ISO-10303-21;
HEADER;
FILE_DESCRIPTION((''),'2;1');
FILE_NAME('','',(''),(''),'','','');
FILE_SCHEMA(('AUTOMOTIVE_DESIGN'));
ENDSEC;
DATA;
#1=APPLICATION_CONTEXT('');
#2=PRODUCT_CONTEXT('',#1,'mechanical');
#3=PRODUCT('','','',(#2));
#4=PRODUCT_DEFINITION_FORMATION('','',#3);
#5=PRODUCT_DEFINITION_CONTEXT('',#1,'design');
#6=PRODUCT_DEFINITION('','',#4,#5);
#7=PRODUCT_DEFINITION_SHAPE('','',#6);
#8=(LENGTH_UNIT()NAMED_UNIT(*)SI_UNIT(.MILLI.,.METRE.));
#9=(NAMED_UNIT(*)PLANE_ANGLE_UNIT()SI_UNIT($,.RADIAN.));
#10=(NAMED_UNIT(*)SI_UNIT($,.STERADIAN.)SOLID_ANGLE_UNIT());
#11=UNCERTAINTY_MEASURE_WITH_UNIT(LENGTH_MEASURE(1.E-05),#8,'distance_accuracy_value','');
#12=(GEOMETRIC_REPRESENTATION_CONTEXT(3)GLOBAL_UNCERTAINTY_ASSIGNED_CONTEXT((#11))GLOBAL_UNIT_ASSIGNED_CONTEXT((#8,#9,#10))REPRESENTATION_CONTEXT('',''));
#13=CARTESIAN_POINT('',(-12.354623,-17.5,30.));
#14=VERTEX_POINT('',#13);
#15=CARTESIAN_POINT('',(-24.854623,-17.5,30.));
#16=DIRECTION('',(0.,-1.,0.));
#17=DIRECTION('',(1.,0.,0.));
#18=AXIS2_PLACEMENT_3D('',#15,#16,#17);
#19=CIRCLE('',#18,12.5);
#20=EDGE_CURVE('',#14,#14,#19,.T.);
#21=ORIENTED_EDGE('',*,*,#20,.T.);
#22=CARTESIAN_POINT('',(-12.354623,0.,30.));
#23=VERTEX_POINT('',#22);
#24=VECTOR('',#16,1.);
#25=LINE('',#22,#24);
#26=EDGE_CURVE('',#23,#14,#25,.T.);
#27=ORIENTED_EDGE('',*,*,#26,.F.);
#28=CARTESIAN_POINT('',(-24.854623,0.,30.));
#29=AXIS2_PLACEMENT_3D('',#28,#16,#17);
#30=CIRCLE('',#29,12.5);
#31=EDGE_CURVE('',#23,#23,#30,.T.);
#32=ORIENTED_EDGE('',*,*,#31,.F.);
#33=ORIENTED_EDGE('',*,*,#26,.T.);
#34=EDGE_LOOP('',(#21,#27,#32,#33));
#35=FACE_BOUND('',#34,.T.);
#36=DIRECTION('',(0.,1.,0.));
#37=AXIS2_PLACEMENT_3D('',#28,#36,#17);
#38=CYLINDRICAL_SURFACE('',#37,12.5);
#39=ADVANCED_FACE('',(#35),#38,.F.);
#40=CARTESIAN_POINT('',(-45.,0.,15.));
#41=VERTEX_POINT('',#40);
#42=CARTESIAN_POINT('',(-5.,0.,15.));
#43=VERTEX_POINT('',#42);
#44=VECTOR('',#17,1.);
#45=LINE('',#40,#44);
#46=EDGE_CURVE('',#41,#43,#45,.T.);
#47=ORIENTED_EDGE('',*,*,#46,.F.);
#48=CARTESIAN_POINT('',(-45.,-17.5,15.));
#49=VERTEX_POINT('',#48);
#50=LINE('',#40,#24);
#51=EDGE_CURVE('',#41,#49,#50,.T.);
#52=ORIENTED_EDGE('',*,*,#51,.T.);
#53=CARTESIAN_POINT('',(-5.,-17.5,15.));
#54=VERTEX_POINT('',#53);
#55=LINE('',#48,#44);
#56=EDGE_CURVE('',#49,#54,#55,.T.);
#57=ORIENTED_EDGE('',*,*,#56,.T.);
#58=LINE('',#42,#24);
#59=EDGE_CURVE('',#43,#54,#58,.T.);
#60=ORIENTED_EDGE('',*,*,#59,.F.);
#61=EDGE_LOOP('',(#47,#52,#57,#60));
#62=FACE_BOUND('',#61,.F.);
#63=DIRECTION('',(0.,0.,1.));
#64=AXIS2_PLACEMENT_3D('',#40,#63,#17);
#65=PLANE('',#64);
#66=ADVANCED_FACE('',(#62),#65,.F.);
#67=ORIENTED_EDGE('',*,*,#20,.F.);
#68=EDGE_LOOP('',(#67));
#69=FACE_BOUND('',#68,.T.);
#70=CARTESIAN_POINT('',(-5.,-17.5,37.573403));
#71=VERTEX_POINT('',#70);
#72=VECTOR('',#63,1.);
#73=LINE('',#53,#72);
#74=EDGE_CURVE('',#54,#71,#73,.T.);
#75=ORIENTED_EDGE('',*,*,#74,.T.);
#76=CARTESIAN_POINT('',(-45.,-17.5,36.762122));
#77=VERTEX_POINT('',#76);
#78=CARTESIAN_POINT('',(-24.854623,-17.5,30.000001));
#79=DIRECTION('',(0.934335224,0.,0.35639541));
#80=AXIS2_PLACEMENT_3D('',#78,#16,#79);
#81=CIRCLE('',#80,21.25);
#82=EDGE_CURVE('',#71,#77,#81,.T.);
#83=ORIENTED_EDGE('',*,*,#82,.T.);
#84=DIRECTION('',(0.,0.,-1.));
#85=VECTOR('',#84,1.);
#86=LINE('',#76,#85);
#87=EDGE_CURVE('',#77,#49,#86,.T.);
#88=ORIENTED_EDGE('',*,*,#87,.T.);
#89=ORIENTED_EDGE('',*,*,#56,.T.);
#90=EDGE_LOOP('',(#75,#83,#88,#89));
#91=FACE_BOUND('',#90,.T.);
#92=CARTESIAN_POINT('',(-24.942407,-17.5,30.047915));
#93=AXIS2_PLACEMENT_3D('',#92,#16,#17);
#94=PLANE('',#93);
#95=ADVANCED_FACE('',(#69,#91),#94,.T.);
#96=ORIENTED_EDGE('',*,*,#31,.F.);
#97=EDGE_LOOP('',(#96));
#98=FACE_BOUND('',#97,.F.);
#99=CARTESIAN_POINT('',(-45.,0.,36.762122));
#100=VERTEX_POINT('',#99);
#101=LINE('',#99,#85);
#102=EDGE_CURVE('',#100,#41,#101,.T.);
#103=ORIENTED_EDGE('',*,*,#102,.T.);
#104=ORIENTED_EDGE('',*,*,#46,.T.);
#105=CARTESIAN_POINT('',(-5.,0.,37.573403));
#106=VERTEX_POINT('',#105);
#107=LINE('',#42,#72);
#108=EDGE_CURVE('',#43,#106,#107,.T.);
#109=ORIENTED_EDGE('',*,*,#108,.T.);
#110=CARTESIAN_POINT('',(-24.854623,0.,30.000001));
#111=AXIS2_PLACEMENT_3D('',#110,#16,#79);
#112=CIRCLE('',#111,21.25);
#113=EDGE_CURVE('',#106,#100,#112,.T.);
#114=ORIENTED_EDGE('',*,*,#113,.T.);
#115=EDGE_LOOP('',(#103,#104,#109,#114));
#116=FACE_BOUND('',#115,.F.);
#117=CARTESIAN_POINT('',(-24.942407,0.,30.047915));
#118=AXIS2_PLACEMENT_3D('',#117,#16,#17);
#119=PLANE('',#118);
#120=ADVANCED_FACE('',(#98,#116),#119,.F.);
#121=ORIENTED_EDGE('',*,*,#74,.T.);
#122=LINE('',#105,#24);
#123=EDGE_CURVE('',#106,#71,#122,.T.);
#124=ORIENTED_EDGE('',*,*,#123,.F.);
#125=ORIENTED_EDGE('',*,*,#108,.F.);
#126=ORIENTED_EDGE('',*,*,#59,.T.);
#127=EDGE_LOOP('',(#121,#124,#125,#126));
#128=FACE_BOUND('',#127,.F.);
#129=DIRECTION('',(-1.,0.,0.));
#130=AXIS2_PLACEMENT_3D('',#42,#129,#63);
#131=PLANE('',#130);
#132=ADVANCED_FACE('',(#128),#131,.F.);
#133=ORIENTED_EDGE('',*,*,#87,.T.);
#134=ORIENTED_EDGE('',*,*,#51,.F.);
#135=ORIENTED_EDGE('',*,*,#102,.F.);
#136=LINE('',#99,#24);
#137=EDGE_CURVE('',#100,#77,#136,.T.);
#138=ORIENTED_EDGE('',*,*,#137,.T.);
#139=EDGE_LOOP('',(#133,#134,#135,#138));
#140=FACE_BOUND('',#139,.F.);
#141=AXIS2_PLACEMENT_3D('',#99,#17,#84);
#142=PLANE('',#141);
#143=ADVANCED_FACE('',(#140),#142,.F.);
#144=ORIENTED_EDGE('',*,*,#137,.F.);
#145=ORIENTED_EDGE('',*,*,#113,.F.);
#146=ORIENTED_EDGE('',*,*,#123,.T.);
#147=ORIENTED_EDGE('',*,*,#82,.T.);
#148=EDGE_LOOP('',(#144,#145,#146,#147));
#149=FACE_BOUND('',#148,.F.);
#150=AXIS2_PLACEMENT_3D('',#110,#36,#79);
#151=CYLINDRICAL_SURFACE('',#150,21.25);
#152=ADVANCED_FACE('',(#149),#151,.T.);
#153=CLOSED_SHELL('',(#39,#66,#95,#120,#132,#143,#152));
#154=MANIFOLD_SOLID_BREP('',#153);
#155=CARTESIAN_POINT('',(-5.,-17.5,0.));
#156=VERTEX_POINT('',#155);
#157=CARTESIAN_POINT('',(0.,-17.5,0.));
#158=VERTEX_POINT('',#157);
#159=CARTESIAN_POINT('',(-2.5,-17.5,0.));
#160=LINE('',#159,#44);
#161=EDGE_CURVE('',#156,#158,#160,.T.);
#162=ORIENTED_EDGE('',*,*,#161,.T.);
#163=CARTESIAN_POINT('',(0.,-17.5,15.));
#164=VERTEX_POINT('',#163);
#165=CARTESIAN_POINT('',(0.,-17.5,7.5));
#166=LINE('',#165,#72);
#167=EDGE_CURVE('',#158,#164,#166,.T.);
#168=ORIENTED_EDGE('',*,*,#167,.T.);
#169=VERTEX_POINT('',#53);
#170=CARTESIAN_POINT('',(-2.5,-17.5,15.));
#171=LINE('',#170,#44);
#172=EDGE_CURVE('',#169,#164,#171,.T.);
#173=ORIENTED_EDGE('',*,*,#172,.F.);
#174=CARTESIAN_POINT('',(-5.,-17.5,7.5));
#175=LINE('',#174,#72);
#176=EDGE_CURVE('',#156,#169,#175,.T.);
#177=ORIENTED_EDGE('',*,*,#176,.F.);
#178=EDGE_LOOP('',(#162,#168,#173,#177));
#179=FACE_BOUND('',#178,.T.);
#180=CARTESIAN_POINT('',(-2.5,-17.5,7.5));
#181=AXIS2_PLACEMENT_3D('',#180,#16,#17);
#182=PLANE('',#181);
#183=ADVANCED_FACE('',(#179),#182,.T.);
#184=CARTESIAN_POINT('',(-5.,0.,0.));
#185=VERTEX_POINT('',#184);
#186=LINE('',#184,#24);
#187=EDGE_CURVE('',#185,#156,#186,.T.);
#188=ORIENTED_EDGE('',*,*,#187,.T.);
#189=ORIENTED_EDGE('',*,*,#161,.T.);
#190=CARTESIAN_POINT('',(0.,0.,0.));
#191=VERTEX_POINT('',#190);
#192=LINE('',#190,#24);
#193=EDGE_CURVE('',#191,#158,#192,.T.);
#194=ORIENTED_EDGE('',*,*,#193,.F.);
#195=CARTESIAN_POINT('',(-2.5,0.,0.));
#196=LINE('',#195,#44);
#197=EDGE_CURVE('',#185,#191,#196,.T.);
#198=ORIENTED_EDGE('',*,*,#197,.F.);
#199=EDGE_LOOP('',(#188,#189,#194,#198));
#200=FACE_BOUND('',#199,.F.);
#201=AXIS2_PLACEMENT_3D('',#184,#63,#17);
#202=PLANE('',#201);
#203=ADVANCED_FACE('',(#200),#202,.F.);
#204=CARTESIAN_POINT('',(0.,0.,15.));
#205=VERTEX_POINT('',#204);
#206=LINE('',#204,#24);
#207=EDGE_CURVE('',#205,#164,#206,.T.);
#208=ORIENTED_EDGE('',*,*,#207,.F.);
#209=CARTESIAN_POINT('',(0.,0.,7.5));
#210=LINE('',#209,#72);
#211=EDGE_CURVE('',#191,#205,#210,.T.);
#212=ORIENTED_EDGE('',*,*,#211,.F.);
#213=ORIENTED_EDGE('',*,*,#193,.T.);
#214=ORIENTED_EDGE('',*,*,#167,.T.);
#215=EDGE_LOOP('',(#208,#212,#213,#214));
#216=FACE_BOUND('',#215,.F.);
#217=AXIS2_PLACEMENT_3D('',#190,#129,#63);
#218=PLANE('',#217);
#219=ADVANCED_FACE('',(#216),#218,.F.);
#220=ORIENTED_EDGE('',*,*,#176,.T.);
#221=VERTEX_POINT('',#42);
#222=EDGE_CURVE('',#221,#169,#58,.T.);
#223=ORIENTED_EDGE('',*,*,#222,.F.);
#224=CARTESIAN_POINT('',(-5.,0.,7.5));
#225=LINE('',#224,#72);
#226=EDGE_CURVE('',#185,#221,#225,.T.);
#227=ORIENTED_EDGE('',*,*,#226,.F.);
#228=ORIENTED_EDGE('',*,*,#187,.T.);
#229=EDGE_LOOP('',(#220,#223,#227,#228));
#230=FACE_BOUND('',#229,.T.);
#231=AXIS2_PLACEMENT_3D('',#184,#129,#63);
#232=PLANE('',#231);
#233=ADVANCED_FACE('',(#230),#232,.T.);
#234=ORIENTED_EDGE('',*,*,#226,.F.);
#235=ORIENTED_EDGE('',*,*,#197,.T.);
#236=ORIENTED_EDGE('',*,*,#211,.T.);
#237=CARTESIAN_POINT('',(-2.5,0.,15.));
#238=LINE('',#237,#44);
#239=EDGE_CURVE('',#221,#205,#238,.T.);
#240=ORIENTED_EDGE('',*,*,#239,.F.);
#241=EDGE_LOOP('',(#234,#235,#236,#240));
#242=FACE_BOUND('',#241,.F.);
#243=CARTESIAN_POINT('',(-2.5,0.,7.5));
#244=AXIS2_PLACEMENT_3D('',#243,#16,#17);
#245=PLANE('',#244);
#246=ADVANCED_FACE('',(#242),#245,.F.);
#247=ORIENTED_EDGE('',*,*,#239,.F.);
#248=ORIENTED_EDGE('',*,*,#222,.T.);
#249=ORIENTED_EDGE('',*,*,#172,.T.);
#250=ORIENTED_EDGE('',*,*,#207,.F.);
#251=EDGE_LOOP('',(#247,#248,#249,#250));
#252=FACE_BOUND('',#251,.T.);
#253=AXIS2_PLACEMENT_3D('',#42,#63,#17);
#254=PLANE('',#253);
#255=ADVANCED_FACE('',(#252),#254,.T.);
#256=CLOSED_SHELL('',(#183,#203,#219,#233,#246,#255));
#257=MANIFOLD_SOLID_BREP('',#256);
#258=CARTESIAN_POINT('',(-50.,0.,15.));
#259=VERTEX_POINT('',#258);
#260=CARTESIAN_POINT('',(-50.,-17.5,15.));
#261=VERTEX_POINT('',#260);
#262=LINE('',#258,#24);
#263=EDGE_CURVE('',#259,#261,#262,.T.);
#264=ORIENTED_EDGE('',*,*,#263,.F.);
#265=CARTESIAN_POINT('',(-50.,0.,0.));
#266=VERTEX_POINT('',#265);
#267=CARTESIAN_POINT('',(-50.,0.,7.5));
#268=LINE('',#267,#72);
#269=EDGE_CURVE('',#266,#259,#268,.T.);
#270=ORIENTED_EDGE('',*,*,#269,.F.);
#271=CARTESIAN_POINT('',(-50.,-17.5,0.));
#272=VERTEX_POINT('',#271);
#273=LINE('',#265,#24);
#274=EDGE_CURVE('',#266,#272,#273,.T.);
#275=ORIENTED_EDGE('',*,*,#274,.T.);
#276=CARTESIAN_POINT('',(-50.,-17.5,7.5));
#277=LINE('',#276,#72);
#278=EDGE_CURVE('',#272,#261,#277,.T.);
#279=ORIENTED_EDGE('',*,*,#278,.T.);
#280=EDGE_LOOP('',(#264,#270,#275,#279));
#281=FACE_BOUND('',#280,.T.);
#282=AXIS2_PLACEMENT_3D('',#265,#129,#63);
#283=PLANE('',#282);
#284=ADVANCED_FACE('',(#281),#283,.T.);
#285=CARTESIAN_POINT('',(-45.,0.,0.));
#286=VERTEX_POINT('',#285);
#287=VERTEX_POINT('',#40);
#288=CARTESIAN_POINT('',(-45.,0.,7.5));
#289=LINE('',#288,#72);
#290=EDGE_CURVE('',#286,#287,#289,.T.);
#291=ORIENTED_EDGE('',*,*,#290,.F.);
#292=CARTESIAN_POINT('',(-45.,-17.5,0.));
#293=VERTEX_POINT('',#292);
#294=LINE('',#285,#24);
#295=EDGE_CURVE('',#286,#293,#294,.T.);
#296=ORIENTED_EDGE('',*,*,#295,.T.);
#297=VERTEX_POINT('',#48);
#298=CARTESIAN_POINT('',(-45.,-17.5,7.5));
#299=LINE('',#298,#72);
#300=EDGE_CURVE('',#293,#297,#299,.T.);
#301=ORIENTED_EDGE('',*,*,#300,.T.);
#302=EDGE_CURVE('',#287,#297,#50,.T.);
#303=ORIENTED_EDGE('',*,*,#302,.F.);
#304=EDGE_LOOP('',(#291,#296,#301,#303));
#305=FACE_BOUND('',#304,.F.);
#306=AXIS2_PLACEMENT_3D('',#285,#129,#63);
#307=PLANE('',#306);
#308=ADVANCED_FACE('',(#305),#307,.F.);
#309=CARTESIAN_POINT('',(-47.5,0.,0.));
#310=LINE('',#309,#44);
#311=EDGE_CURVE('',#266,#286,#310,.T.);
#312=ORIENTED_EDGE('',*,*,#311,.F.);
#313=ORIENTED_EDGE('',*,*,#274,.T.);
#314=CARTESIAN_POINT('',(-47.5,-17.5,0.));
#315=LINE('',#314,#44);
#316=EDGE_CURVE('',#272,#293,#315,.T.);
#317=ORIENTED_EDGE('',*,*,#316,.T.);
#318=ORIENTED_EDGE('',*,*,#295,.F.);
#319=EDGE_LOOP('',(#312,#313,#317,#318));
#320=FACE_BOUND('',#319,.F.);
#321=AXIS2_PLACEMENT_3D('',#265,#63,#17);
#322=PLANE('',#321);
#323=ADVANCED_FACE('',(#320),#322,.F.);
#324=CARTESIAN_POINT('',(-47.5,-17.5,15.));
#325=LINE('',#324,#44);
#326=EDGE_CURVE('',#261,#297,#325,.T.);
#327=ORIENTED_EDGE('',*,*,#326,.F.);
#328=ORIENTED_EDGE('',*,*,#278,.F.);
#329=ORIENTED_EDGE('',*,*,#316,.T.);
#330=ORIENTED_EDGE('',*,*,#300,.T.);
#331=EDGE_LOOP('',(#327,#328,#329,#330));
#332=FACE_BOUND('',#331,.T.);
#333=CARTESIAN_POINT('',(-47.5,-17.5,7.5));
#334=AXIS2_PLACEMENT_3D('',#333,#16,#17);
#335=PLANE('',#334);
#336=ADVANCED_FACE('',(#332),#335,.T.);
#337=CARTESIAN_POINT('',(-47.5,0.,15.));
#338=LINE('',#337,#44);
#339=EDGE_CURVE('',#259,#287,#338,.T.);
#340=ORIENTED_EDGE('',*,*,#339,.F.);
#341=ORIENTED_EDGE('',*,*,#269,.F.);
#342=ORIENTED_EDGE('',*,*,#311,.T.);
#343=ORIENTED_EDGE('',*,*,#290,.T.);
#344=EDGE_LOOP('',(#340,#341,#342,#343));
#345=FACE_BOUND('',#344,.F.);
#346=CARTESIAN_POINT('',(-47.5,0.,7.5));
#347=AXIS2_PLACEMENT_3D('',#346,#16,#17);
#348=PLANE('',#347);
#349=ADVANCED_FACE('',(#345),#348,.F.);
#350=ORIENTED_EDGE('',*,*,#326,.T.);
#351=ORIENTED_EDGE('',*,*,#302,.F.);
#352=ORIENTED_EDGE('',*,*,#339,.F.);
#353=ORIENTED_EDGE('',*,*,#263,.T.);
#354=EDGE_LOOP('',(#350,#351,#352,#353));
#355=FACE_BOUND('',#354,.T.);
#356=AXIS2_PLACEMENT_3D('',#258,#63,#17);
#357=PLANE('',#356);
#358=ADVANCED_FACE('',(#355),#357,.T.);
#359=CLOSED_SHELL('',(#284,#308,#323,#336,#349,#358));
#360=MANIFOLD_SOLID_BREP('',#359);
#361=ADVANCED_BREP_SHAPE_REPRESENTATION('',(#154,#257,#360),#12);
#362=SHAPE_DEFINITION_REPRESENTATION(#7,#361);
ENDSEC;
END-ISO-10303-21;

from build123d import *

# Parameters (mm, degrees)
F0_W     = 5
F0_H     = 15
F0_R     = 12.5
F1_DEPTH = 17.5


with BuildPart() as f1:
    # F0 (on Front) → F1 (new body)
    with BuildSketch(Plane.XZ):
        with Locations((-47.5, 7.5)):
            Rectangle(F0_W, F0_H)
        with BuildLine():
            Line((-45, 15), (-5, 15))
            Line((-5, 15), (-5, 37.573403))
            ThreePointArc((-5, 37.573403), (-25.285528, 51.245631), (-45, 36.762122))
            Line((-45, 36.762122), (-45, 15))
        make_face()
        with Locations((-24.854623, 30)):
            Circle(F0_R, mode=Mode.SUBTRACT)
        with Locations((-2.5, 7.5)):
            Rectangle(F0_W, F0_H)
    extrude(amount=F1_DEPTH)


solid = f1.part
